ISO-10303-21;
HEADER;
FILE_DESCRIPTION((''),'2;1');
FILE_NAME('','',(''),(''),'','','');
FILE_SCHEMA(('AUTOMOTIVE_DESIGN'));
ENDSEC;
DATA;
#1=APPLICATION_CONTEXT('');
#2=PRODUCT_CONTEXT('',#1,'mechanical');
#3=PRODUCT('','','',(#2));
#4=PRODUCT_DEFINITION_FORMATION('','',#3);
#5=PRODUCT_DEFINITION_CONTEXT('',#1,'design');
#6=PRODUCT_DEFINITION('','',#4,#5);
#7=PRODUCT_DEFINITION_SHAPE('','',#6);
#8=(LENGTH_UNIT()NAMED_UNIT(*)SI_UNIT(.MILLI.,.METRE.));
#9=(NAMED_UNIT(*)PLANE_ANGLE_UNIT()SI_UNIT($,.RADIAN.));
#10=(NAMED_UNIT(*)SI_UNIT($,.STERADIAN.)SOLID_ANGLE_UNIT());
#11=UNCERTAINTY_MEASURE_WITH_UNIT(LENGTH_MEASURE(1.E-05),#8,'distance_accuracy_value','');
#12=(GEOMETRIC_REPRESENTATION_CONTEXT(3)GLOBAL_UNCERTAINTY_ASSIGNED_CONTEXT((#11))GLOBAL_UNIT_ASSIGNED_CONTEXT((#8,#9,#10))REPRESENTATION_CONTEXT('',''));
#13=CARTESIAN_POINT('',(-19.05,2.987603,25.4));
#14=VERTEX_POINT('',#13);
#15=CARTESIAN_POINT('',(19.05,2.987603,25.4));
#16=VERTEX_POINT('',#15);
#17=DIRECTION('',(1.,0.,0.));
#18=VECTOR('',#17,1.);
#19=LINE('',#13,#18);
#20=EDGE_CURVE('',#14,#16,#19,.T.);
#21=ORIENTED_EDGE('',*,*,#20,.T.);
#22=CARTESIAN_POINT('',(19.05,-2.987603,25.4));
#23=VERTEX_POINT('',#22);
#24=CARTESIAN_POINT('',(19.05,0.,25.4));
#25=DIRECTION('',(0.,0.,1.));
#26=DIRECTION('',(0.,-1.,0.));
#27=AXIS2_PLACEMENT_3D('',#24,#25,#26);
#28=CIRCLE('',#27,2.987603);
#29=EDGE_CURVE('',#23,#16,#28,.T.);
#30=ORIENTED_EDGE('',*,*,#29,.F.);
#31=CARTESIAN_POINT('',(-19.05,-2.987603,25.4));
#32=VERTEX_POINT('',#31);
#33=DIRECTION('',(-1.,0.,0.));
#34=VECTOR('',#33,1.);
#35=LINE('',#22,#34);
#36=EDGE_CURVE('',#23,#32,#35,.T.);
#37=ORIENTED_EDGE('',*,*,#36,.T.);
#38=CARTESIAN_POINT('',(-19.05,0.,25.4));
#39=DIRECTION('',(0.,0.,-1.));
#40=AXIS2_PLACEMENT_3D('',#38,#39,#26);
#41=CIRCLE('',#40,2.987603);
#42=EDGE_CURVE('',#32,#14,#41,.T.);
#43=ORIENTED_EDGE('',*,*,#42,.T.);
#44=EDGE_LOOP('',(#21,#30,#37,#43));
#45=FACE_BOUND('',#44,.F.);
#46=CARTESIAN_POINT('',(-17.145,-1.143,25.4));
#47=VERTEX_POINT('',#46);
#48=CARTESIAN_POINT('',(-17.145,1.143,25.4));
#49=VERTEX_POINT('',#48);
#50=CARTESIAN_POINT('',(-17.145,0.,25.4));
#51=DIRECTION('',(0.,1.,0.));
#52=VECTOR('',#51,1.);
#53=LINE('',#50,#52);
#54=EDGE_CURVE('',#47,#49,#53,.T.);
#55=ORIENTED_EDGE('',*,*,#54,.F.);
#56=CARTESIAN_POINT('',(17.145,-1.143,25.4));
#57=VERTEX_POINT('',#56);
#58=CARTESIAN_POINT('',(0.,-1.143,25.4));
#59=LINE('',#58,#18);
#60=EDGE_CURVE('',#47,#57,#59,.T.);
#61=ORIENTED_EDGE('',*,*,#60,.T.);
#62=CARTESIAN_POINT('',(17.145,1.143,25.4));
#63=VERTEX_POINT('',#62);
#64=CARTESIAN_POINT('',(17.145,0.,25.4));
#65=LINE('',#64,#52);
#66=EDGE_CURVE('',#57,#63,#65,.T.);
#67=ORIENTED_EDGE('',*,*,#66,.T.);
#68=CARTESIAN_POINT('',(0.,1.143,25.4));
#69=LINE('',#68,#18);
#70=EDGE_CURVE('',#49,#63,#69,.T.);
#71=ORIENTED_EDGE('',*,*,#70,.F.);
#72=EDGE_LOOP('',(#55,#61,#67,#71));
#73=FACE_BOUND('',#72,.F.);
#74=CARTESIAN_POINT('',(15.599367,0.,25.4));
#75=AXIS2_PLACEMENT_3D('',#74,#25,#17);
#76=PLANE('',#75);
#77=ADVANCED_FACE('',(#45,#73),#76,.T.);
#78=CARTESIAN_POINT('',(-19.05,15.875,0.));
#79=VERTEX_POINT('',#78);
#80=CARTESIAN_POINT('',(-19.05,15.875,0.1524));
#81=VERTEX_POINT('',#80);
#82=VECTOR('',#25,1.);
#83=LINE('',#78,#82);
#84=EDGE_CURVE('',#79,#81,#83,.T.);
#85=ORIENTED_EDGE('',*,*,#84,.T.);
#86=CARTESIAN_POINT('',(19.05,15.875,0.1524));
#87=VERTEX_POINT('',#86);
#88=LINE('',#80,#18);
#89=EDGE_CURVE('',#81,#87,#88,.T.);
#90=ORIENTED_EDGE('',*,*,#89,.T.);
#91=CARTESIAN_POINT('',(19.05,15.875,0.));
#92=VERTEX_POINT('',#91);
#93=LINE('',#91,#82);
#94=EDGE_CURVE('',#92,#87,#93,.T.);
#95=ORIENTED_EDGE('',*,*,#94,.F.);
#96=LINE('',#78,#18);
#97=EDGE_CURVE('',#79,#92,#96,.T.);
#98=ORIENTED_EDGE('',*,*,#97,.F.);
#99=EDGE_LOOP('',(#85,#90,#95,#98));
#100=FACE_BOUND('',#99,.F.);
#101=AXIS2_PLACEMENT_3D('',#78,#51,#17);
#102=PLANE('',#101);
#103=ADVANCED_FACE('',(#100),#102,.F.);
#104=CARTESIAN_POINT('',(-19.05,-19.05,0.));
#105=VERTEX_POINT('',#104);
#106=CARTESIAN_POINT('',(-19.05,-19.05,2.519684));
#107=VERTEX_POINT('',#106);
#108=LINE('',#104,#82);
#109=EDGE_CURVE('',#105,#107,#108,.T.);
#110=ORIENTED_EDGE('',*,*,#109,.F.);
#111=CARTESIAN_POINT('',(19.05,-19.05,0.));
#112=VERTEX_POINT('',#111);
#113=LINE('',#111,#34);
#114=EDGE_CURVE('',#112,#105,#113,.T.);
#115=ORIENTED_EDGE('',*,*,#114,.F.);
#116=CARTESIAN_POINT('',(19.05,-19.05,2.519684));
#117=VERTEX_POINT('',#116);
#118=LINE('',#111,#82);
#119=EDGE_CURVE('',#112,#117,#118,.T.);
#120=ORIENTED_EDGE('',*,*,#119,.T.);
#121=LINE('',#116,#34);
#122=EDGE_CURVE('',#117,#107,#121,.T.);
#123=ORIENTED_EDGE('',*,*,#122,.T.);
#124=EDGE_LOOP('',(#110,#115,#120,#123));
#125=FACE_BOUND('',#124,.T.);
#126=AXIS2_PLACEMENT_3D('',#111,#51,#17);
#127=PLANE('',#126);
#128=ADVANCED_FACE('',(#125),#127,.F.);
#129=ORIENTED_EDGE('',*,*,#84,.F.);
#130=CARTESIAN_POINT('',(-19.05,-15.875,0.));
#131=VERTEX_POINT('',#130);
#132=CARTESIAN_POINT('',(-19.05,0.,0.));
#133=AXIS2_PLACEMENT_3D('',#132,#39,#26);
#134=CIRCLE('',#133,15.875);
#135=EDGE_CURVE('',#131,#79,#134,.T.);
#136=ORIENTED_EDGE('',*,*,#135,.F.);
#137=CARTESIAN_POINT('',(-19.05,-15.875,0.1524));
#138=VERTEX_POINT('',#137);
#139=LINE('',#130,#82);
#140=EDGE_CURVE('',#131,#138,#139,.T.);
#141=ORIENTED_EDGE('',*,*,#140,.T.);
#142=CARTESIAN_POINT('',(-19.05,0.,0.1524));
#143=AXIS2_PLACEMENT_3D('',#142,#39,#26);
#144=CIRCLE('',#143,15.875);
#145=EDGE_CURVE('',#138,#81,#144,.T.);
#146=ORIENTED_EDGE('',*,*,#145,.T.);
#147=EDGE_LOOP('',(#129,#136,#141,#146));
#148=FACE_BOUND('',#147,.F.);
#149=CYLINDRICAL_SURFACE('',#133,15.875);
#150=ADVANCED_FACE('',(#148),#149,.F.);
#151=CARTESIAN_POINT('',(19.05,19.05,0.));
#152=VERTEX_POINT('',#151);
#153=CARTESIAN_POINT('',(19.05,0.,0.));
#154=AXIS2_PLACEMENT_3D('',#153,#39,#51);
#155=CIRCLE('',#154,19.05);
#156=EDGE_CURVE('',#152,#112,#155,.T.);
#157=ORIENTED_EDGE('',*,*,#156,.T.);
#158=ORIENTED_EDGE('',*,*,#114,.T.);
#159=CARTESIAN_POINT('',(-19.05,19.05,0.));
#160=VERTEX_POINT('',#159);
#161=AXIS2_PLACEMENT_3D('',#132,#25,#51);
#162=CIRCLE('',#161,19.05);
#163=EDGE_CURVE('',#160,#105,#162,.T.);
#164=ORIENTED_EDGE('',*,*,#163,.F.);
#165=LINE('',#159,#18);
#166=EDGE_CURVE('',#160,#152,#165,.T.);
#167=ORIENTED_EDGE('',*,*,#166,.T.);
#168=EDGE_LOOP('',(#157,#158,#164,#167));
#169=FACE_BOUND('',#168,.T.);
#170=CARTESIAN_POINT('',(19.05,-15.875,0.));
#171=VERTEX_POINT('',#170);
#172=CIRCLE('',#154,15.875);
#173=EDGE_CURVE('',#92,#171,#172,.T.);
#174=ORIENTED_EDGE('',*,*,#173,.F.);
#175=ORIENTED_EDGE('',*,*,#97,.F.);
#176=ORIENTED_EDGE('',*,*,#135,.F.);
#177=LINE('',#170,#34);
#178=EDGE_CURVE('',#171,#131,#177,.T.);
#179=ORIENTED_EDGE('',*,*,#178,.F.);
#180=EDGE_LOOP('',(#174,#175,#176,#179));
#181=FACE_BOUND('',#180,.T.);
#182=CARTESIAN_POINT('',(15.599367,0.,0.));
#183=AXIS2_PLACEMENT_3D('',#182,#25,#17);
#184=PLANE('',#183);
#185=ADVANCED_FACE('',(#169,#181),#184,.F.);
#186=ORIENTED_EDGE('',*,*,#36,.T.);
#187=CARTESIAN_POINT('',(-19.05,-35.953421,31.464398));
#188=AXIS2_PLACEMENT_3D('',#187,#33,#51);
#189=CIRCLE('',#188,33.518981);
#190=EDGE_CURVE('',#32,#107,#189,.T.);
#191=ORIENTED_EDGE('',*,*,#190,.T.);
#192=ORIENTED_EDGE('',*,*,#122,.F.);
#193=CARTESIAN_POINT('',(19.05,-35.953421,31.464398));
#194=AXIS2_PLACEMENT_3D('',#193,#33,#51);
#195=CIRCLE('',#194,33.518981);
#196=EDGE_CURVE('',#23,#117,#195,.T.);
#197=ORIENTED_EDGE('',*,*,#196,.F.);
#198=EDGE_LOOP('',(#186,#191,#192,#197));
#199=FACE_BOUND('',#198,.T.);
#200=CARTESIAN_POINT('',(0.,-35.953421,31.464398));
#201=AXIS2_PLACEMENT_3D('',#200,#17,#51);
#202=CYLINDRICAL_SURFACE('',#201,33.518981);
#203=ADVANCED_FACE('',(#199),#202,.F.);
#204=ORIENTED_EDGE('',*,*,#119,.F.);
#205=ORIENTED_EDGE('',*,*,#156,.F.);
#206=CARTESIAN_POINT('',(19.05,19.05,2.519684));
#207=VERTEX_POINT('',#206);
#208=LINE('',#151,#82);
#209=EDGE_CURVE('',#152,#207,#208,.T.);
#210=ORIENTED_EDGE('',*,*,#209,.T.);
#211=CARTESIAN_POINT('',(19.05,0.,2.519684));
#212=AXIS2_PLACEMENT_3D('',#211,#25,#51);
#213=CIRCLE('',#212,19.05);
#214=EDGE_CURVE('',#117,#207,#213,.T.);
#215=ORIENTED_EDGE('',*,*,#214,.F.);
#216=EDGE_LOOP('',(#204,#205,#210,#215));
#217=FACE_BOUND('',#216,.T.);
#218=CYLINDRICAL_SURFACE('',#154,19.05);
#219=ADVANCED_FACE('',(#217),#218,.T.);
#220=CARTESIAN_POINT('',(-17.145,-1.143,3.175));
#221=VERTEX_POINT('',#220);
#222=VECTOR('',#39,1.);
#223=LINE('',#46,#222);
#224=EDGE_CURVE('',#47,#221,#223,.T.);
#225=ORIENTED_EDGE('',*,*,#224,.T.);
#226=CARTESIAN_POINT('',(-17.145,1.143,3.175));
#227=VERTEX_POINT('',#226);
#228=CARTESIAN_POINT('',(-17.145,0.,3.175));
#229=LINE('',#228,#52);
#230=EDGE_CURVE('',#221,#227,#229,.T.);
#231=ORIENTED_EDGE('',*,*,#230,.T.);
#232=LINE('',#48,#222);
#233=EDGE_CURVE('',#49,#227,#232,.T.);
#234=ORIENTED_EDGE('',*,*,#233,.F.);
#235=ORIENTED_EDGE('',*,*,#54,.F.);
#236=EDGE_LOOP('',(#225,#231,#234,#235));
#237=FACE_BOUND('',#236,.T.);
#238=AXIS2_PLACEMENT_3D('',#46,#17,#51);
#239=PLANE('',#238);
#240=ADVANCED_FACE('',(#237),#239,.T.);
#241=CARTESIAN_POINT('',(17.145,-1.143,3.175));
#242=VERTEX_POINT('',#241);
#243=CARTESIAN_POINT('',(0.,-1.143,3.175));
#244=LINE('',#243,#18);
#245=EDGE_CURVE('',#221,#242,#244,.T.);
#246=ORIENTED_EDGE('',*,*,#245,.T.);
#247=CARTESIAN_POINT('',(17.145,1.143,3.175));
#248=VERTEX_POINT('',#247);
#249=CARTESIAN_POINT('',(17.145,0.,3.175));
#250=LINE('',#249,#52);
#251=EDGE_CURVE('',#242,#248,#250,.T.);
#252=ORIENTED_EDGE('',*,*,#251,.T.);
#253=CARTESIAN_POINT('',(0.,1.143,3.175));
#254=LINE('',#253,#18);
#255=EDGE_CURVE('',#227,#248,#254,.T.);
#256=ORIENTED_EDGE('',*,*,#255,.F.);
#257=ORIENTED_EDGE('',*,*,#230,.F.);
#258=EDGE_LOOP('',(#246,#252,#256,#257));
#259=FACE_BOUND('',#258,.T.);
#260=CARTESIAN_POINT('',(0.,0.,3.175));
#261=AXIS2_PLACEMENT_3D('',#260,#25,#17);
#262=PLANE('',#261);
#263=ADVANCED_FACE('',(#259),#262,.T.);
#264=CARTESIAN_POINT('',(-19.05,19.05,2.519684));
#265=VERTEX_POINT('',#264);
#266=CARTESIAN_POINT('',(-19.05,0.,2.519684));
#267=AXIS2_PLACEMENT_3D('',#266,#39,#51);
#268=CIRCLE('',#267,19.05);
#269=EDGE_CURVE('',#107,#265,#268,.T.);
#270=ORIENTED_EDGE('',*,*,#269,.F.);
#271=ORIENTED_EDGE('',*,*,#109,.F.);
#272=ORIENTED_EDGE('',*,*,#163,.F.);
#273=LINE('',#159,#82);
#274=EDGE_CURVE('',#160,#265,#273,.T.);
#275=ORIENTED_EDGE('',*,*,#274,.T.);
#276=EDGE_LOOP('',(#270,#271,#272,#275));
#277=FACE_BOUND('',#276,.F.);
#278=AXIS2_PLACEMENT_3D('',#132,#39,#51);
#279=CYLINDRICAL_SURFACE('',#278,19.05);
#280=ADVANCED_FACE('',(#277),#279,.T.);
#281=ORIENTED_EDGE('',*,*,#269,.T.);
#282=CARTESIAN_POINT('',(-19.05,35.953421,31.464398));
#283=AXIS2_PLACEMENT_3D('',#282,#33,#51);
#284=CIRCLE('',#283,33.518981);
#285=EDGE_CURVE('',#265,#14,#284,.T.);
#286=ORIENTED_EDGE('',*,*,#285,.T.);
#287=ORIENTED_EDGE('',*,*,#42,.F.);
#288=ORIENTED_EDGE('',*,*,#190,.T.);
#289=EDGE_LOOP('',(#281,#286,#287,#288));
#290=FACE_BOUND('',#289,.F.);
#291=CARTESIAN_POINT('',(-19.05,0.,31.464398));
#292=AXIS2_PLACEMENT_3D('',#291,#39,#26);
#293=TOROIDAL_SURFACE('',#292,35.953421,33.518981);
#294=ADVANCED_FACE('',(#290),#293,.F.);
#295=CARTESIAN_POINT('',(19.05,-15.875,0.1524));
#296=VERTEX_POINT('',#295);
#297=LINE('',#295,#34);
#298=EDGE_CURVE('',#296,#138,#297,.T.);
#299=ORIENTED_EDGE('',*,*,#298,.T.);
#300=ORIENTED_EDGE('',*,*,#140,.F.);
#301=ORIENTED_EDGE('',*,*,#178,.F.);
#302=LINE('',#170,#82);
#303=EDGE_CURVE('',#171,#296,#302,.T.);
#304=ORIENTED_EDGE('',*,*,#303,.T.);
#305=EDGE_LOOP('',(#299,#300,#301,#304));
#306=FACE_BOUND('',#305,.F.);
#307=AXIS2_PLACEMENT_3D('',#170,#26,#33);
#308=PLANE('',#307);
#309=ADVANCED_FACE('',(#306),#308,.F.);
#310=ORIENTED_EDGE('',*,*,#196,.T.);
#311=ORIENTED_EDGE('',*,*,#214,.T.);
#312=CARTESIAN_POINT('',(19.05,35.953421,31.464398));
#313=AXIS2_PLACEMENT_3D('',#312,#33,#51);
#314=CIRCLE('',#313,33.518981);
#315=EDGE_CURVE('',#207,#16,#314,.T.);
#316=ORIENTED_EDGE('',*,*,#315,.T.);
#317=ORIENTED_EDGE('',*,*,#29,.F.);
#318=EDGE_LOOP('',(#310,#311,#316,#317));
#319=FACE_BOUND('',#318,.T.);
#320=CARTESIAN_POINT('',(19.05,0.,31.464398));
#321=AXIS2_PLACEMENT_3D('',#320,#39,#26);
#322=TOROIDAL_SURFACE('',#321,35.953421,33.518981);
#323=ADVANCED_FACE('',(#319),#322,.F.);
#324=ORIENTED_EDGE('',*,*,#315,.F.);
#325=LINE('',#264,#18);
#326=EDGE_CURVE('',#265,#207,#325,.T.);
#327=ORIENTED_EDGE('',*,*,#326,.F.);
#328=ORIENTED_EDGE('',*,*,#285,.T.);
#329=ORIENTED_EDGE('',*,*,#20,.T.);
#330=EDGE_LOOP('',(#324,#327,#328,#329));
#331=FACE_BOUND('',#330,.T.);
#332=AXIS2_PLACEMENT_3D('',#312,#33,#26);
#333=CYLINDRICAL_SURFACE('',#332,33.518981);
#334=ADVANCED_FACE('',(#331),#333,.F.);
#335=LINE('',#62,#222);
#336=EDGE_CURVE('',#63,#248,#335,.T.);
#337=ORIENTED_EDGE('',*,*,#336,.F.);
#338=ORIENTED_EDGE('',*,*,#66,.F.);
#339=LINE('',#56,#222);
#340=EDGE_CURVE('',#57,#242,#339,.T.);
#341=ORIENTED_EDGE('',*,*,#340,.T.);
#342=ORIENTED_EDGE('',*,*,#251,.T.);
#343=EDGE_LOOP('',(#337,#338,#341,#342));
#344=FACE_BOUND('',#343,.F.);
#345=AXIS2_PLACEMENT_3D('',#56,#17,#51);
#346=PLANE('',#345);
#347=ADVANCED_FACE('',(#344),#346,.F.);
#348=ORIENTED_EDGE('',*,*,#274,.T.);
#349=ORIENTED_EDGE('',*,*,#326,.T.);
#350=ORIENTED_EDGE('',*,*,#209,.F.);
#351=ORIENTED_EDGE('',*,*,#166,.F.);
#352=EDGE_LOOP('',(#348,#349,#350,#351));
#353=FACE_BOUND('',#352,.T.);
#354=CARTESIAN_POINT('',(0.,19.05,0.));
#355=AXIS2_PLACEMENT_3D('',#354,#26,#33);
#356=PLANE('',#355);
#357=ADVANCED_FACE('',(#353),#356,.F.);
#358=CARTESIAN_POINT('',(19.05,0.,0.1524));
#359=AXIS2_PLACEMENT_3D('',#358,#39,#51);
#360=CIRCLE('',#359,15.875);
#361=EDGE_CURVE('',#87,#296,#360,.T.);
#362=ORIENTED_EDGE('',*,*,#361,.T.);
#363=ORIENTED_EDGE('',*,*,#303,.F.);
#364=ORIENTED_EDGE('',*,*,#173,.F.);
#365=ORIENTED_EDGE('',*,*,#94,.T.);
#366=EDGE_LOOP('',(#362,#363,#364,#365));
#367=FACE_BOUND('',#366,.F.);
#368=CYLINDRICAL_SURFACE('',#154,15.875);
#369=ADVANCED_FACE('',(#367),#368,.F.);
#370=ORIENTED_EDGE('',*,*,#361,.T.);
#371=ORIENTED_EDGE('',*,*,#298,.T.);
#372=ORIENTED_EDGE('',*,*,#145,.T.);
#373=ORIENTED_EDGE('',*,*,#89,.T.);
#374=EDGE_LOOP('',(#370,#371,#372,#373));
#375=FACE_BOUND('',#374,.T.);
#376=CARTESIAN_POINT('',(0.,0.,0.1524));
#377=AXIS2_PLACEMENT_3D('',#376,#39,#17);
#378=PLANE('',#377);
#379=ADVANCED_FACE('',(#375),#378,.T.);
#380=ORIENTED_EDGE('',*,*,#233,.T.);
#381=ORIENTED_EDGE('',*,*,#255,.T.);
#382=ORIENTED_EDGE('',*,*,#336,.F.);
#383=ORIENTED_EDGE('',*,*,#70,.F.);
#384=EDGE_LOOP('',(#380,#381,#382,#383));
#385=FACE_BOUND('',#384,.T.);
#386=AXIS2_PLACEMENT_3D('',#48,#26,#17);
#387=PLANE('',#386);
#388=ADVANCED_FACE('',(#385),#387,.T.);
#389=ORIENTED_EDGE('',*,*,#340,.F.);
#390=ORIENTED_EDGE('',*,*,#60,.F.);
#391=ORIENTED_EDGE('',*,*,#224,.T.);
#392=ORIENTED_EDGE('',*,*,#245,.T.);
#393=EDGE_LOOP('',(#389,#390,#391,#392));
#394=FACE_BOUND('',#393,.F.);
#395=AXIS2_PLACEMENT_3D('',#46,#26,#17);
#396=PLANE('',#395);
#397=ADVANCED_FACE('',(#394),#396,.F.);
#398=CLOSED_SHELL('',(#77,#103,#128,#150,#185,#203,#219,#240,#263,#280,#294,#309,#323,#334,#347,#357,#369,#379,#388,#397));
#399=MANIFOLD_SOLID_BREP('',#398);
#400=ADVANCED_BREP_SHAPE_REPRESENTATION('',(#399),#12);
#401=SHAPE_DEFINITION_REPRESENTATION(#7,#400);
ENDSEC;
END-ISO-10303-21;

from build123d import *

# Parameters (mm, degrees)
F1_DEPTH = 25.4
F2_R     = 33.5189811659
F5_W     = 34.29
F5_H     = 2.286
F6_DEPTH = 22.225
F8_DEPTH = 0.1524


with BuildPart() as f1:
    # F0 (on Top) → F1 (new body)
    with BuildSketch(Plane.XY):
        with BuildLine():
            Line((0, -19.05), (0, 19.05))
            Line((0, 19.05), (-19.05, 19.05))
            ThreePointArc((-19.05, 19.05), (-38.1, 0), (-19.05, -19.05))
            Line((-19.05, -19.05), (0, -19.05))
        make_face()
    extrude(amount=F1_DEPTH)

    # F3: sweep along a path in F3_path
    with BuildLine(Plane(origin=(-19.05, -19.05, 25.4), x_dir=(0, 1, 0), z_dir=(0, 0, 1))) as f3_path:
        Line((0, -19.05), (0, 0))
        ThreePointArc((0, 0), (19.05, 19.05), (38.1, 0))
        Line((38.1, 0), (38.1, -19.05))
    # F2 (on Right) → F3 (sweep, cut)
    with BuildSketch(Plane.YZ):
        with Locations((-35.9534211457, 31.4643979073)):
            Circle(F2_R)
    sweep(path=f3_path.line, mode=Mode.SUBTRACT)

    # F4: F1 across face


with BuildPart() as f1_1:
    add(f1.part)
    add(f1.part.mirror(Plane(origin=(0, 0, 8.7269001071), x_dir=(0, 1, 0), z_dir=(1, 0, 0))))

    # F5 (on face) → F6 (cut)
    with BuildSketch(Plane.XY.offset(25.4)):
        Rectangle(F5_W, F5_H)
    extrude(amount=-F6_DEPTH, mode=Mode.SUBTRACT)

    # F7 (on face) → F8 (cut)
    with BuildSketch(Plane(origin=(0, 0, 0), x_dir=(1, 0, 0), z_dir=(0, 0, -1))):
        with BuildLine():
            ThreePointArc((19.05, -15.875), (34.925, 0), (19.05, 15.875))
            Line((19.05, 15.875), (-19.05, 15.875))
            ThreePointArc((-19.05, 15.875), (-34.925, 0), (-19.05, -15.875))
            Line((-19.05, -15.875), (19.05, -15.875))
        make_face()
    extrude(amount=-F8_DEPTH, mode=Mode.SUBTRACT)


solid = f1_1.part
